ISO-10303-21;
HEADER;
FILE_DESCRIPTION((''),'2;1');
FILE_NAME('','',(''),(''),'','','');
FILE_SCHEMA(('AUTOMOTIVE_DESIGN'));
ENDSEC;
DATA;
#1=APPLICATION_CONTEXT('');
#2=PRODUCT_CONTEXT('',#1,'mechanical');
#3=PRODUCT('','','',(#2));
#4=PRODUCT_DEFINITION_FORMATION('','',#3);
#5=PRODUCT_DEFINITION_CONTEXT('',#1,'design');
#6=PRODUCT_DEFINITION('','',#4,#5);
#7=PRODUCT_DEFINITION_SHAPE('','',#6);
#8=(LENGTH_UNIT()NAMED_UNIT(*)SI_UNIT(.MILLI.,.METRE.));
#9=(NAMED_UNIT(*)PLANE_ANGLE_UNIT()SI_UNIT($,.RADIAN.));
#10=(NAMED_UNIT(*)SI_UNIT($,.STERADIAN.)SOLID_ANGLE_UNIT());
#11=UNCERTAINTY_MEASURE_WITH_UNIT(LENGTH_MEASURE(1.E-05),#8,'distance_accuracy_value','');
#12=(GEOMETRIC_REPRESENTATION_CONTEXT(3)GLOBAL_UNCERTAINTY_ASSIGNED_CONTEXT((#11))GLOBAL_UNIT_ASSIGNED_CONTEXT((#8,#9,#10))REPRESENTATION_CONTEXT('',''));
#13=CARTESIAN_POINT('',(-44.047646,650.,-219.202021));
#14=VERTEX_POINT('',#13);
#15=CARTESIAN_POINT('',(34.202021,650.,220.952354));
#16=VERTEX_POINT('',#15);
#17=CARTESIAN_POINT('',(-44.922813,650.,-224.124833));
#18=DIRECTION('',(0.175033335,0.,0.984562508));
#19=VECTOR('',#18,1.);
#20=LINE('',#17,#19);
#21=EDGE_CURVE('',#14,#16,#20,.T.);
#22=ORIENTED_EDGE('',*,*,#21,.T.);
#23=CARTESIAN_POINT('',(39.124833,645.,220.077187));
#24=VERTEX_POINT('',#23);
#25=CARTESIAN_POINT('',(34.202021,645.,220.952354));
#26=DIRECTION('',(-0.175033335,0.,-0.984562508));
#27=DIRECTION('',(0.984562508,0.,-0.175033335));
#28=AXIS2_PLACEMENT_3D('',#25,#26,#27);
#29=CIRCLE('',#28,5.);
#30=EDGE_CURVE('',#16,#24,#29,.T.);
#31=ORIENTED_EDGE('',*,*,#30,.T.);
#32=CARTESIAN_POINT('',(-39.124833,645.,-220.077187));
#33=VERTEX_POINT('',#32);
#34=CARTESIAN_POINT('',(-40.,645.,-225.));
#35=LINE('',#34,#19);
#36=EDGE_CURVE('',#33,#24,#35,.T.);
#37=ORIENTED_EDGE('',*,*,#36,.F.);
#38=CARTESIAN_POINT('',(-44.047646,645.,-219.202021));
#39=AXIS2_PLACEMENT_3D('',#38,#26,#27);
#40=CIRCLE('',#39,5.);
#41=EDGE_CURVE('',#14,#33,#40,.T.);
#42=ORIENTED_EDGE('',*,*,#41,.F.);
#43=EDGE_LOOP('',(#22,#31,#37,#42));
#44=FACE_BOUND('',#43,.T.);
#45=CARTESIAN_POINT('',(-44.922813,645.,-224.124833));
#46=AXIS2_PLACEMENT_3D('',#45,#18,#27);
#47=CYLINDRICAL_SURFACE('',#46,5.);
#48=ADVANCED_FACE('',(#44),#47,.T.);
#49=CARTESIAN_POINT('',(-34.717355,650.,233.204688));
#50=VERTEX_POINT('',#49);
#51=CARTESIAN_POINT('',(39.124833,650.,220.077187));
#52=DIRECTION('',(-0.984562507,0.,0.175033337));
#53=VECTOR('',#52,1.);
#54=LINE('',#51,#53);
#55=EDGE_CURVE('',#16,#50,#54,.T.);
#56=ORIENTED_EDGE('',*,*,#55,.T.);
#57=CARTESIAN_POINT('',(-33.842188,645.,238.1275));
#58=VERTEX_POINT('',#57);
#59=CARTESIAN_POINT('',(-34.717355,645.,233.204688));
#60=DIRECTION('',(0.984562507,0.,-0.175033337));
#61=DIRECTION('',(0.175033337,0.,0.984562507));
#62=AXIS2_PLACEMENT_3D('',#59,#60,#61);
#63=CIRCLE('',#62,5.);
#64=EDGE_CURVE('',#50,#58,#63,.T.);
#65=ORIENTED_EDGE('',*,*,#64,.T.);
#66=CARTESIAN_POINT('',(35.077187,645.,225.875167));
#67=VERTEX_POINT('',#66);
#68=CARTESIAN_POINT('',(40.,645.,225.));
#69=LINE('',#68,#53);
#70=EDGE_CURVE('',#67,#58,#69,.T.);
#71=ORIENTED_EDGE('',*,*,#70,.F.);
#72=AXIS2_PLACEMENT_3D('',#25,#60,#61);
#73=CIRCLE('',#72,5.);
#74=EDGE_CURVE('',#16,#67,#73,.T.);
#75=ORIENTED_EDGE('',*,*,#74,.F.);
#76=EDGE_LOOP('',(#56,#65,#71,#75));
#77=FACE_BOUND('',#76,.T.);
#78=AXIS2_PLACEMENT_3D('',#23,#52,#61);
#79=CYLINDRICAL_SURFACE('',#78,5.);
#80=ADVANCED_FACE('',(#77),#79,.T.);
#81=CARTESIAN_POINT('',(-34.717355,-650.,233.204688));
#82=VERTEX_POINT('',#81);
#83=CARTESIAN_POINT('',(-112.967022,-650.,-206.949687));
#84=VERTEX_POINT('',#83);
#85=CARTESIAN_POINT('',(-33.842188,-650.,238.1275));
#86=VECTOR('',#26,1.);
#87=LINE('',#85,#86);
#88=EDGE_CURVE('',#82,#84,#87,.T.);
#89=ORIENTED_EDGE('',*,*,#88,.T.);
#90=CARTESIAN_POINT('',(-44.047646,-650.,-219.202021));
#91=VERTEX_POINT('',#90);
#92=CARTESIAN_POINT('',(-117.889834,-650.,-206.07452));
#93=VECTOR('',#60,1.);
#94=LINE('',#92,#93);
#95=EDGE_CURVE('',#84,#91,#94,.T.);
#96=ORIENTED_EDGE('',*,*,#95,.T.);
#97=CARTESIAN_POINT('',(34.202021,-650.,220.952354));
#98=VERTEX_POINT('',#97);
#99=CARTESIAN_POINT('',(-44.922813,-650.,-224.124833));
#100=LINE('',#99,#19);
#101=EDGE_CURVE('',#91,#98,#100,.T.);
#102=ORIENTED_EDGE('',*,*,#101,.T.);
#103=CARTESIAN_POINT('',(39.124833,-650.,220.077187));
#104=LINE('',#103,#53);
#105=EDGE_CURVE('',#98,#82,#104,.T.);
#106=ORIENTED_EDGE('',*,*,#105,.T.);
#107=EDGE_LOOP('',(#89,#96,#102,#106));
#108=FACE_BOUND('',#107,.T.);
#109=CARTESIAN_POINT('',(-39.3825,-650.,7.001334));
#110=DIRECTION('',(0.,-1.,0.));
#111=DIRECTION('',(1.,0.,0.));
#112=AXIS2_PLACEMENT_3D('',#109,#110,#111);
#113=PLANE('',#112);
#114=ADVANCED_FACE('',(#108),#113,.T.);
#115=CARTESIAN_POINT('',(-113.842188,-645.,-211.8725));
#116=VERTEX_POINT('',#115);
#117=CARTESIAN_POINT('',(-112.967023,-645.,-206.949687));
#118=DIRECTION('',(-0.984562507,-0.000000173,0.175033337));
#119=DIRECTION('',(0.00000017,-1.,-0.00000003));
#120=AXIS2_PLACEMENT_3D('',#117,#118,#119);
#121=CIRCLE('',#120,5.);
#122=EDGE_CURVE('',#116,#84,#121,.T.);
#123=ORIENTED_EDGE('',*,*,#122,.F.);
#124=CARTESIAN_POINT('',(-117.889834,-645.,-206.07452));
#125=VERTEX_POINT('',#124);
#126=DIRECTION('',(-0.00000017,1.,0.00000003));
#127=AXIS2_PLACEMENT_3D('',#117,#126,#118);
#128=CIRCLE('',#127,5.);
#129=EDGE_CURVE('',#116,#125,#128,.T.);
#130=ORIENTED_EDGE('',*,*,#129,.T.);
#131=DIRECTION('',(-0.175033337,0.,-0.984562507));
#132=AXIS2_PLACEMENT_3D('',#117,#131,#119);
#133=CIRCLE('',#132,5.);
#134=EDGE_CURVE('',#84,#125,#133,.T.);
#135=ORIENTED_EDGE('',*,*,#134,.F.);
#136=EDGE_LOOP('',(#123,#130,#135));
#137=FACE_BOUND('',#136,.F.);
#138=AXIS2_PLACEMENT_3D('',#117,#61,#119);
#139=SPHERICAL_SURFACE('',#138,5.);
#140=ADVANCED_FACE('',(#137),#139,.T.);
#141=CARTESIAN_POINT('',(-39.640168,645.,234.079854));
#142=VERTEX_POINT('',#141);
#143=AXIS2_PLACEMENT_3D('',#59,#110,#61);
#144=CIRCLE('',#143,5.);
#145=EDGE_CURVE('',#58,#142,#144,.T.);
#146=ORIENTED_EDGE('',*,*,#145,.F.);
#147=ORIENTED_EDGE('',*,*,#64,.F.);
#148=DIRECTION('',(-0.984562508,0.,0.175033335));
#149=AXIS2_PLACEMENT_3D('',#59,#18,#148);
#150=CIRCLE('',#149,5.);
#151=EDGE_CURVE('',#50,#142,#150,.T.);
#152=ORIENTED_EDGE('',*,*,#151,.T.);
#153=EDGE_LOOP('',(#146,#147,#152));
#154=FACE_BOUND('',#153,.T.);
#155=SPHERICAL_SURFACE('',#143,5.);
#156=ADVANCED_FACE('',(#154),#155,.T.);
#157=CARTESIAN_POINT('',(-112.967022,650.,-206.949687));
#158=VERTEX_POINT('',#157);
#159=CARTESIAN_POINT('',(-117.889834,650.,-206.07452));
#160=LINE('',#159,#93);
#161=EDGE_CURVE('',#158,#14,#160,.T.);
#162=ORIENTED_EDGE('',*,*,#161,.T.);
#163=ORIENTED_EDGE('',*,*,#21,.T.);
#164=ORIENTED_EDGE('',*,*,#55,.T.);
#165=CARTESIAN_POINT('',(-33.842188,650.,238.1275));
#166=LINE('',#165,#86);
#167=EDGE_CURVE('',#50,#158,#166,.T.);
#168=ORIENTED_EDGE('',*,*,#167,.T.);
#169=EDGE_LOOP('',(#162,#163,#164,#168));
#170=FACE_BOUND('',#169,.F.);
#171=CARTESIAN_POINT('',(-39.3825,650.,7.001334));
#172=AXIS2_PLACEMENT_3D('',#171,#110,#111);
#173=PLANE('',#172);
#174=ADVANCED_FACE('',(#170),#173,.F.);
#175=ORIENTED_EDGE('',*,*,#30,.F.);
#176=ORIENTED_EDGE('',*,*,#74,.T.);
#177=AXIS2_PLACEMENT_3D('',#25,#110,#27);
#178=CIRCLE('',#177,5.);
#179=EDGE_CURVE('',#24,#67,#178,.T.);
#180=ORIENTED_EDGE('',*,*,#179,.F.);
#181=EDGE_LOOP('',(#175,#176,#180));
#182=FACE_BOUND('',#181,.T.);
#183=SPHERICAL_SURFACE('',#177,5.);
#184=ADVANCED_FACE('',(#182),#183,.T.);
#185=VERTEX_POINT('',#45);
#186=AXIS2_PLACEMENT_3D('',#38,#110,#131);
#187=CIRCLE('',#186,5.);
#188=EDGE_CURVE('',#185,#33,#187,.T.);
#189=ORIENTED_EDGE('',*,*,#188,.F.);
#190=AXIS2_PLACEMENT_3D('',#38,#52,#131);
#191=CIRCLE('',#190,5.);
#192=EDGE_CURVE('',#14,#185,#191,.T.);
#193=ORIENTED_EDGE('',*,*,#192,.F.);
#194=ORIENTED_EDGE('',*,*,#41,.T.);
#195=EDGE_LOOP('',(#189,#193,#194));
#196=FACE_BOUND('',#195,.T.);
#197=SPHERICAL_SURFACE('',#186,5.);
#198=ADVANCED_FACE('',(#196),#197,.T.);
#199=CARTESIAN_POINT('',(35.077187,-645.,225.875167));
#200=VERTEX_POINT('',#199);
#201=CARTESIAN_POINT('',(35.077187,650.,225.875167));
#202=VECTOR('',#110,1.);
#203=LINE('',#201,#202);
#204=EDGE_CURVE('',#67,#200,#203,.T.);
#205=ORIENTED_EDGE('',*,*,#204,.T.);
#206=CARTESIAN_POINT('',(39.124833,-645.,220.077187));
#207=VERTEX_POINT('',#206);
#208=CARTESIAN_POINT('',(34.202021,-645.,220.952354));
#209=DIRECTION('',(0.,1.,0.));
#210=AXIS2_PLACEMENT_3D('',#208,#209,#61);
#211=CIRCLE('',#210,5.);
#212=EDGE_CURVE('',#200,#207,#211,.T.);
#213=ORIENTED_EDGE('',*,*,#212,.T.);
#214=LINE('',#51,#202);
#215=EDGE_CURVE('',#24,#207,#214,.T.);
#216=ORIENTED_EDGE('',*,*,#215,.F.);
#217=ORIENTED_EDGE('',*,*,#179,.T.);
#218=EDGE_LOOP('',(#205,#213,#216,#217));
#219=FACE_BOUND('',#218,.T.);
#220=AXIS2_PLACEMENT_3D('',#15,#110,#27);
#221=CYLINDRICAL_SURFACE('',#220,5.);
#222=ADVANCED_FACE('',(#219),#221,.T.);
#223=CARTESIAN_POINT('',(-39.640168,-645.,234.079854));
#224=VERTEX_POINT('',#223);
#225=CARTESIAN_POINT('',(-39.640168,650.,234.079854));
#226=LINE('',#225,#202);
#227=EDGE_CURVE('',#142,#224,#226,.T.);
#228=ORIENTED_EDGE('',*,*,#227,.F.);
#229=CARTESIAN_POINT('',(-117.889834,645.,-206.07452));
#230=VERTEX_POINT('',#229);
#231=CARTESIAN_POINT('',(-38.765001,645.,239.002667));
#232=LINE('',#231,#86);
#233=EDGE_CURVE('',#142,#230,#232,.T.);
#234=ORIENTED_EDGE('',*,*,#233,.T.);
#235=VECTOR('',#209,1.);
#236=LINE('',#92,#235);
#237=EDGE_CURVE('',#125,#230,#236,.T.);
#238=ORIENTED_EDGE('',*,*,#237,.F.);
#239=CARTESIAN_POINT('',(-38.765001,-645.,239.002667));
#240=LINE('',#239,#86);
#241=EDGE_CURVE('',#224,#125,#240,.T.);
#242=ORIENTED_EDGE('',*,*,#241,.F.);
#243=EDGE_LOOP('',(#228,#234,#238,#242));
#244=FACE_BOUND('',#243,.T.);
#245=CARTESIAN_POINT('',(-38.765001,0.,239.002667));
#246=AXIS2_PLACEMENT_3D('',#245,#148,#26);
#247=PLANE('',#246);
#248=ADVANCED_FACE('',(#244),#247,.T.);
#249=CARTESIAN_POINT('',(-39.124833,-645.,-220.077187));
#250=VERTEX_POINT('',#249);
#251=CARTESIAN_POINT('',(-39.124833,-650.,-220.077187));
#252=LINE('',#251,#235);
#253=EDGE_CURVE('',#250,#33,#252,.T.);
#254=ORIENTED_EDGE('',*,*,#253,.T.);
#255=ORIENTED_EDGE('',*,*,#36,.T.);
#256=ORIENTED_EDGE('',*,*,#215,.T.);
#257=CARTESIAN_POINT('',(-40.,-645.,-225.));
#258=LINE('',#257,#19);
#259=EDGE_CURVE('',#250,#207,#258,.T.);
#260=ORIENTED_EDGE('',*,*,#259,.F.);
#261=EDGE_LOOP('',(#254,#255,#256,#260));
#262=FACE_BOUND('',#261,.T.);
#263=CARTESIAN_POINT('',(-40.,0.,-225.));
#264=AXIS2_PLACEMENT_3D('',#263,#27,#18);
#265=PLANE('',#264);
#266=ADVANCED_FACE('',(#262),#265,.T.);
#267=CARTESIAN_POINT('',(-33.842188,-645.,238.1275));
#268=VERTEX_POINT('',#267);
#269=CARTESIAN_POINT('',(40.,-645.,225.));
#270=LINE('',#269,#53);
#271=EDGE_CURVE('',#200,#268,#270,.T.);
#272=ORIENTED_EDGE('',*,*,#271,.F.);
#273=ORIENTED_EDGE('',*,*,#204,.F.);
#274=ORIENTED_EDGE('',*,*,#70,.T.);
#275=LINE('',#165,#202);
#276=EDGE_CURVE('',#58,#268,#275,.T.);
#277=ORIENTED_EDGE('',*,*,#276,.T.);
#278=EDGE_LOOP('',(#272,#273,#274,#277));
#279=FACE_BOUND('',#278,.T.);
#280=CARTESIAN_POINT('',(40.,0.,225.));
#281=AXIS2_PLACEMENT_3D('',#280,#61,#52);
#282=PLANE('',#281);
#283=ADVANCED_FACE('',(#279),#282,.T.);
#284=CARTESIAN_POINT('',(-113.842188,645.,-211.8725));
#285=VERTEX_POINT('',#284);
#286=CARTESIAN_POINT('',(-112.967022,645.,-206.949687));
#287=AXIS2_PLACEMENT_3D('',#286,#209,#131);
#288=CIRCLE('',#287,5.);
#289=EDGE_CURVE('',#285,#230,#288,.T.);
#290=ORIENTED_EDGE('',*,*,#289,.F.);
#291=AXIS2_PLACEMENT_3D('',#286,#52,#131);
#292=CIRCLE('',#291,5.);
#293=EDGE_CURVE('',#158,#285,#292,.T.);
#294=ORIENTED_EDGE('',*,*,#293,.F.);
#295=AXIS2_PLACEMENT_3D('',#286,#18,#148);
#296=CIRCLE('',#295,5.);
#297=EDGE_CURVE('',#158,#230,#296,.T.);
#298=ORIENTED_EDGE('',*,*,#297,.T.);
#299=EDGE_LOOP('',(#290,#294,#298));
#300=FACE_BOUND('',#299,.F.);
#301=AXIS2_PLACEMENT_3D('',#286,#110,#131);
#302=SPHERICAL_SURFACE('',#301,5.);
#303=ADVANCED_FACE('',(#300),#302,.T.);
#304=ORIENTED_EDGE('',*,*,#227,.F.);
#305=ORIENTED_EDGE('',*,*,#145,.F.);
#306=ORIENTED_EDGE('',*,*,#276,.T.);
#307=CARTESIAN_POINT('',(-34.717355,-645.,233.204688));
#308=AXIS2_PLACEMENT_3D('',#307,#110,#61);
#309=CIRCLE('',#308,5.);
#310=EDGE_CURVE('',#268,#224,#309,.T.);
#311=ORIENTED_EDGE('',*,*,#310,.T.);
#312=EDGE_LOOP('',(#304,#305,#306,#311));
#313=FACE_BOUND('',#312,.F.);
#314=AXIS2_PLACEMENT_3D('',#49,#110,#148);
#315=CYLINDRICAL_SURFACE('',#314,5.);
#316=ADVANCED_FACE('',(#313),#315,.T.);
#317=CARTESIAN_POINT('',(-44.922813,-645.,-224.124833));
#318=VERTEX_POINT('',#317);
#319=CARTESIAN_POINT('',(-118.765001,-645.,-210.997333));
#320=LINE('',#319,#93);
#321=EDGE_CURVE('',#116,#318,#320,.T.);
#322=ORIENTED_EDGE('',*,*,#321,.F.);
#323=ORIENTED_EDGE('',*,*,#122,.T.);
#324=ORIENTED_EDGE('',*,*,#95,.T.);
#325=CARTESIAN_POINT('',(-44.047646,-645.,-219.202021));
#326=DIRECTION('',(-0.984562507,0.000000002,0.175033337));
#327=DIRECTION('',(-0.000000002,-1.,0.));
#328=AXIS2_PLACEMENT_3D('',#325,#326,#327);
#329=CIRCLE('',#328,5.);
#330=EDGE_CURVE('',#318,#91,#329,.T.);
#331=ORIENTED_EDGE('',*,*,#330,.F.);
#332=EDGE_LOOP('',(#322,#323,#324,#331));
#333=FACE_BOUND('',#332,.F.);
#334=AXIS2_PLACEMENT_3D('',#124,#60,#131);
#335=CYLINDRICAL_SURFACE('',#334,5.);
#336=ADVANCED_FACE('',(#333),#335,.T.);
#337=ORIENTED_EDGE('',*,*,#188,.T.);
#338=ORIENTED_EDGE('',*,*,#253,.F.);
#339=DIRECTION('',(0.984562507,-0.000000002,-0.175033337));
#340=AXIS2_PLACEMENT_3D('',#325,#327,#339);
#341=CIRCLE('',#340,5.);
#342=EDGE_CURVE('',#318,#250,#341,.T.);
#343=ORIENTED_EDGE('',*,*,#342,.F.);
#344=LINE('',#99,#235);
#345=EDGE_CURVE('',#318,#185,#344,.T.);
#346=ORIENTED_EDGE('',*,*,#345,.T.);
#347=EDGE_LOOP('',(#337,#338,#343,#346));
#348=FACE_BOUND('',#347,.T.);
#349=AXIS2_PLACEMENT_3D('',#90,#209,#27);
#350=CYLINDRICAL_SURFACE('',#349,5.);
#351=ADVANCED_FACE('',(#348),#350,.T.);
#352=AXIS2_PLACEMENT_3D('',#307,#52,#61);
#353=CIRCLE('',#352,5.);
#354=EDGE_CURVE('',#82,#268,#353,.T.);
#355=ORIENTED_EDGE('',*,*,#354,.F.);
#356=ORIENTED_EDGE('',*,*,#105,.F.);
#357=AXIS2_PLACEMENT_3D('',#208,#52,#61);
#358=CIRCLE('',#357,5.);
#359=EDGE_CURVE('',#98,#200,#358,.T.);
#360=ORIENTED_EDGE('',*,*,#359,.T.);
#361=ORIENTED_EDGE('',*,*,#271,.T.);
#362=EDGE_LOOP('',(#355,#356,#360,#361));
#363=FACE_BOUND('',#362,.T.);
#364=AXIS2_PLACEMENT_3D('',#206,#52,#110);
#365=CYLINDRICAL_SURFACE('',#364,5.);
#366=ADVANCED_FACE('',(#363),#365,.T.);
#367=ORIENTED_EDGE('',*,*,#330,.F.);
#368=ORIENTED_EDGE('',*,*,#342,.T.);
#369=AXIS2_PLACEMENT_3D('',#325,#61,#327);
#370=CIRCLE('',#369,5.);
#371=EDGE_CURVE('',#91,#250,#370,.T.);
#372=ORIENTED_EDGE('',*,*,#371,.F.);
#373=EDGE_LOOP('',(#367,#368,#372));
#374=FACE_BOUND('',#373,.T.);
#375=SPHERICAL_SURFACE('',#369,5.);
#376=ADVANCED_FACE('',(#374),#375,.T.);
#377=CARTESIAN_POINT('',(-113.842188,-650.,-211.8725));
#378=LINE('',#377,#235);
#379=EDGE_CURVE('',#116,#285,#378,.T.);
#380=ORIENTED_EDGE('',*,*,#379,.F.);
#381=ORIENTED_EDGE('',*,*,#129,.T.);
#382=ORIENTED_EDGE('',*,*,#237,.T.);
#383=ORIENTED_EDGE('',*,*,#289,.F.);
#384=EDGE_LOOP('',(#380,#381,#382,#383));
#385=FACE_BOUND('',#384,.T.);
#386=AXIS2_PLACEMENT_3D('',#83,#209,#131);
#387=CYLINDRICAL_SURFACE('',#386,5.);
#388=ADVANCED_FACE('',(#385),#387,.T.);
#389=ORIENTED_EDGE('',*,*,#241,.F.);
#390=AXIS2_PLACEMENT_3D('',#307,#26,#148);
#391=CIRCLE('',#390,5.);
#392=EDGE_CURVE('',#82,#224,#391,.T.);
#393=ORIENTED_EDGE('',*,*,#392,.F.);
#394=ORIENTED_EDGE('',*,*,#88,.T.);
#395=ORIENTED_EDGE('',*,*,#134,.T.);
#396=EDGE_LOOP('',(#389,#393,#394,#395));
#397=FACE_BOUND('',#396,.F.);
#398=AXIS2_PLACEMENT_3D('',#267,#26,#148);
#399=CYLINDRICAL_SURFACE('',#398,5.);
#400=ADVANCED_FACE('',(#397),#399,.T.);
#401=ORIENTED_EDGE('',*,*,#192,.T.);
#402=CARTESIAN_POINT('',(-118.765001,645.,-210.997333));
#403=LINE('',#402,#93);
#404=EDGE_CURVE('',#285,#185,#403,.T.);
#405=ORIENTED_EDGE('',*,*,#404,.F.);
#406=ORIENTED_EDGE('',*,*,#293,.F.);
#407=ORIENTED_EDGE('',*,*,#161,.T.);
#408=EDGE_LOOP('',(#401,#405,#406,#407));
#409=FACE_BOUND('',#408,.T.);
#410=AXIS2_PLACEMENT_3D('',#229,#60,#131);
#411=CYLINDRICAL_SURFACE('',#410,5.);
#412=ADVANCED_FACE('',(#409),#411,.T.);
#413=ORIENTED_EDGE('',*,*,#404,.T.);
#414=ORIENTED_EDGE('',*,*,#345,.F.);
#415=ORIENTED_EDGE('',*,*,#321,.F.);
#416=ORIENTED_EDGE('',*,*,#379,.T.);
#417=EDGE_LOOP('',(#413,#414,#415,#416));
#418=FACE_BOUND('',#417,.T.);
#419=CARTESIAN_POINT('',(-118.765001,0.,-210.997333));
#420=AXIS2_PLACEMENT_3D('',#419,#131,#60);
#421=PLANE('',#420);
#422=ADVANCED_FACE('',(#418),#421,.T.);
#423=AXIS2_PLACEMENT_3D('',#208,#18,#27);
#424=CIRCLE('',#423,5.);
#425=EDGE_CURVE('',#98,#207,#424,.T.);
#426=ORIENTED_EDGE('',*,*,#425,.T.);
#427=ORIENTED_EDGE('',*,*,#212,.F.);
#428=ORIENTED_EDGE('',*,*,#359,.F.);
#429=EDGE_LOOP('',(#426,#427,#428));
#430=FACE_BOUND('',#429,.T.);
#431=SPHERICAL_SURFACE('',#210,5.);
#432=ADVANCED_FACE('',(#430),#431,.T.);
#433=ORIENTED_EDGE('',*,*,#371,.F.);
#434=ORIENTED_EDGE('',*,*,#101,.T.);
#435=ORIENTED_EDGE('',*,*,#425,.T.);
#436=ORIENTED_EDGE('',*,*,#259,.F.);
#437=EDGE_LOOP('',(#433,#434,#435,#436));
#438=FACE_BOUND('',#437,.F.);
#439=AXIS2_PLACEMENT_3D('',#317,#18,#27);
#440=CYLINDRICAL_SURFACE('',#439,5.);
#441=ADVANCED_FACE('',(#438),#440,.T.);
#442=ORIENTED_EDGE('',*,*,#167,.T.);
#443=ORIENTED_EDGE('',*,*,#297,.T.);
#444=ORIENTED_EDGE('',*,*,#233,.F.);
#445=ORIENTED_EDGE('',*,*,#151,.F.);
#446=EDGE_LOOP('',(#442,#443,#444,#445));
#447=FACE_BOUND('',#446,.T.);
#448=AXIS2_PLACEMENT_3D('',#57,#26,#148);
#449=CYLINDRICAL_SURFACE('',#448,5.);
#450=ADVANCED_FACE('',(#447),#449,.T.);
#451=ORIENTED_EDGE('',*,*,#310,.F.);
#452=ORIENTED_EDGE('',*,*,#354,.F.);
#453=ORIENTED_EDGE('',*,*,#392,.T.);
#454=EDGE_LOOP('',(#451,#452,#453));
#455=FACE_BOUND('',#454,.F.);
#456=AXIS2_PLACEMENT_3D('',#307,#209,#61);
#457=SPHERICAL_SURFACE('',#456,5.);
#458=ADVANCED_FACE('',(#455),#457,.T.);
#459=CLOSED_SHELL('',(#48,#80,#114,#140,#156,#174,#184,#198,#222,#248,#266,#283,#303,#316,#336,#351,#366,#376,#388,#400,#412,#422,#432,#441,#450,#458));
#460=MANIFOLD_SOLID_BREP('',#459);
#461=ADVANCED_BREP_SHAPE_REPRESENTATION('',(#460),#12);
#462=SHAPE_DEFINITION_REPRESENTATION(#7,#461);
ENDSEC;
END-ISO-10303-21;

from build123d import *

# Parameters (mm, degrees)
F1_DEPTH = 650
F2_R     = 5


with BuildPart() as f1:
    # F0 (on Front) → F1 (new body, symmetric)
    with BuildSketch(Plane.XZ):
        Polygon((-40, -225), (40, 225), (-38.765001, 239.002667), (-118.765001, -210.997333), align=None)
    extrude(amount=F1_DEPTH, both=True)

    # F2
    f2_edges = [f1.edges().sort_by_distance(p)[0] for p in [
        (40, 0, 225),
        (-38.765001, 0, 239.002667),
        (0.6175, -650, 232.001333),
        (0, -650, 0),
        (-78.765001, -650, 14.002667),
        (-79.3825, -650, -217.998667),
        (-40, 0, -225),
        (-118.765001, 0, -210.997333),
        (-79.3825, 650, -217.998667),
        (0, 650, 0),
        (0.6175, 650, 232.001333),
        (-78.765001, 650, 14.002667),
    ]]
    fillet(f2_edges, radius=F2_R)


solid = f1.part
